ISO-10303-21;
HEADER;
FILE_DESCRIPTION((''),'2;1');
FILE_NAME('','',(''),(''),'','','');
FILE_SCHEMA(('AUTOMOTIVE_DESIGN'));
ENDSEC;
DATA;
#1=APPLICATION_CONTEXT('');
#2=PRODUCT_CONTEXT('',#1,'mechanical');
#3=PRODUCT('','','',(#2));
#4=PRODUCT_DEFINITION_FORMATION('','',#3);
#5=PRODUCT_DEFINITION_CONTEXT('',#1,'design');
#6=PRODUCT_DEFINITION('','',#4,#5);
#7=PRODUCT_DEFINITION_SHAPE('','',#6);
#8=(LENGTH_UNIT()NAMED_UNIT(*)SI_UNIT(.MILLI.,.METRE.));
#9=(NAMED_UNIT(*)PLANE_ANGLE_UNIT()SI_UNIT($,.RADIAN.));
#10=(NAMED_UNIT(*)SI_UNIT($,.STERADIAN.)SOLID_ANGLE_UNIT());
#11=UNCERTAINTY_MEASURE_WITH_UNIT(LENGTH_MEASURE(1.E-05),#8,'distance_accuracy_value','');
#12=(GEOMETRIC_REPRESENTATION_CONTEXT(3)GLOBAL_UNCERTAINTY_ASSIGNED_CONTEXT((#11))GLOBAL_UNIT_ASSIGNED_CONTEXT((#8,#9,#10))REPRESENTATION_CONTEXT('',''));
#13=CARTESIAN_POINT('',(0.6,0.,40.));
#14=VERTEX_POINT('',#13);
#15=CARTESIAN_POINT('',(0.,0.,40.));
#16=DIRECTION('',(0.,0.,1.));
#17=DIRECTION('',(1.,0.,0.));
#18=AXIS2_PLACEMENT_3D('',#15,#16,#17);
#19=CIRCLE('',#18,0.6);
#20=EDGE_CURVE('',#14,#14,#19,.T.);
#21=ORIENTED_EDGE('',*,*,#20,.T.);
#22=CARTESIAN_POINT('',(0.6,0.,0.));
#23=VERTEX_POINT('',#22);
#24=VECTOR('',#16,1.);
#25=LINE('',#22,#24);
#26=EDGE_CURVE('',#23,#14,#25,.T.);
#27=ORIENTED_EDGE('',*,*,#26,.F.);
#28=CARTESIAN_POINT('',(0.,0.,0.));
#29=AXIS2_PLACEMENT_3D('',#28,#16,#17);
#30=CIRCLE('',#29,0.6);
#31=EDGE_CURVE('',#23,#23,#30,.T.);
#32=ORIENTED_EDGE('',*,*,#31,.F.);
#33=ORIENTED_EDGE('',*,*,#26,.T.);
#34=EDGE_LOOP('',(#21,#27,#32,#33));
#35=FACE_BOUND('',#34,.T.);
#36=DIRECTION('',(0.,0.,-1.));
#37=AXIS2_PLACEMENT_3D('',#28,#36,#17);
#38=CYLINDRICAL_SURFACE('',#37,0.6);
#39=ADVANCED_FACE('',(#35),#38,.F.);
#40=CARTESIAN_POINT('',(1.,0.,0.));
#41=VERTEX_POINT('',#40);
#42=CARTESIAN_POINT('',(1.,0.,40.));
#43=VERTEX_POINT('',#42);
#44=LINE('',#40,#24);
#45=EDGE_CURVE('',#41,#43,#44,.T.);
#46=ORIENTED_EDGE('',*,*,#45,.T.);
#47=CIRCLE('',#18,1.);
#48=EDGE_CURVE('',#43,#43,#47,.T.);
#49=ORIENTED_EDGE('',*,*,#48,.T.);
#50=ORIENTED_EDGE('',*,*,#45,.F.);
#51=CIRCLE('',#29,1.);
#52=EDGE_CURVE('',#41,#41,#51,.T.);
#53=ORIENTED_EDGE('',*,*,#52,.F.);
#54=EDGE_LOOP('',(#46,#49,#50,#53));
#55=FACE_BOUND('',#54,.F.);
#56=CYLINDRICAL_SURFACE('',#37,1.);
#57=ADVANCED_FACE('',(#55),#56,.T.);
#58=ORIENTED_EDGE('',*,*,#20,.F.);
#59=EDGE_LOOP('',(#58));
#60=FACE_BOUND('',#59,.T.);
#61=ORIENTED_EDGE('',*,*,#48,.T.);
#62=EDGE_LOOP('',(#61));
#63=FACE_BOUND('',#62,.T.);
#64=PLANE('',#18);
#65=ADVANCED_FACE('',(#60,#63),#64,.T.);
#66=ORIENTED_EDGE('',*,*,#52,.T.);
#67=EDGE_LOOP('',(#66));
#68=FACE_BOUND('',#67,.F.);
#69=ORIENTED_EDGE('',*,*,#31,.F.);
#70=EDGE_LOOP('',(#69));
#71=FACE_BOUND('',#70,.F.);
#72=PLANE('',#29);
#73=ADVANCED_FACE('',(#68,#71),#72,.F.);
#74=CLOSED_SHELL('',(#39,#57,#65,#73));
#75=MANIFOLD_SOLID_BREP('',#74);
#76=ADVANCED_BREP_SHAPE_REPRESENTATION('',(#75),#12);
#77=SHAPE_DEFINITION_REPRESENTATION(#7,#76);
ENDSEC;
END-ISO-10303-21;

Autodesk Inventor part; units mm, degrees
ref_plane "YZ Plane" through (0, 0, 0) normal (1, 0, 0) x (0, 1, 0)
ref_plane "XZ Plane" through (0, 0, 0) normal (0, 1, 0) x (-1, 0, 0)
ref_plane "XY Plane" through (0, 0, 0) normal (0, 0, 1) x (1, 0, 0)
sketch "Sketch1" plane through (0, 0, 0) normal (0, 0, 1) x (1, 0, 0)
  circle A0 centre (0, 0) radius 1
  circle A1 centre (0, 0) radius 0.6
  dimension "d0" = 2
  dimension "d1" = 1.2
extrude "Extrusion1" add sketch "Sketch1" along normal blind 40
properties part number "3d_LM - Tubo 1x1"
